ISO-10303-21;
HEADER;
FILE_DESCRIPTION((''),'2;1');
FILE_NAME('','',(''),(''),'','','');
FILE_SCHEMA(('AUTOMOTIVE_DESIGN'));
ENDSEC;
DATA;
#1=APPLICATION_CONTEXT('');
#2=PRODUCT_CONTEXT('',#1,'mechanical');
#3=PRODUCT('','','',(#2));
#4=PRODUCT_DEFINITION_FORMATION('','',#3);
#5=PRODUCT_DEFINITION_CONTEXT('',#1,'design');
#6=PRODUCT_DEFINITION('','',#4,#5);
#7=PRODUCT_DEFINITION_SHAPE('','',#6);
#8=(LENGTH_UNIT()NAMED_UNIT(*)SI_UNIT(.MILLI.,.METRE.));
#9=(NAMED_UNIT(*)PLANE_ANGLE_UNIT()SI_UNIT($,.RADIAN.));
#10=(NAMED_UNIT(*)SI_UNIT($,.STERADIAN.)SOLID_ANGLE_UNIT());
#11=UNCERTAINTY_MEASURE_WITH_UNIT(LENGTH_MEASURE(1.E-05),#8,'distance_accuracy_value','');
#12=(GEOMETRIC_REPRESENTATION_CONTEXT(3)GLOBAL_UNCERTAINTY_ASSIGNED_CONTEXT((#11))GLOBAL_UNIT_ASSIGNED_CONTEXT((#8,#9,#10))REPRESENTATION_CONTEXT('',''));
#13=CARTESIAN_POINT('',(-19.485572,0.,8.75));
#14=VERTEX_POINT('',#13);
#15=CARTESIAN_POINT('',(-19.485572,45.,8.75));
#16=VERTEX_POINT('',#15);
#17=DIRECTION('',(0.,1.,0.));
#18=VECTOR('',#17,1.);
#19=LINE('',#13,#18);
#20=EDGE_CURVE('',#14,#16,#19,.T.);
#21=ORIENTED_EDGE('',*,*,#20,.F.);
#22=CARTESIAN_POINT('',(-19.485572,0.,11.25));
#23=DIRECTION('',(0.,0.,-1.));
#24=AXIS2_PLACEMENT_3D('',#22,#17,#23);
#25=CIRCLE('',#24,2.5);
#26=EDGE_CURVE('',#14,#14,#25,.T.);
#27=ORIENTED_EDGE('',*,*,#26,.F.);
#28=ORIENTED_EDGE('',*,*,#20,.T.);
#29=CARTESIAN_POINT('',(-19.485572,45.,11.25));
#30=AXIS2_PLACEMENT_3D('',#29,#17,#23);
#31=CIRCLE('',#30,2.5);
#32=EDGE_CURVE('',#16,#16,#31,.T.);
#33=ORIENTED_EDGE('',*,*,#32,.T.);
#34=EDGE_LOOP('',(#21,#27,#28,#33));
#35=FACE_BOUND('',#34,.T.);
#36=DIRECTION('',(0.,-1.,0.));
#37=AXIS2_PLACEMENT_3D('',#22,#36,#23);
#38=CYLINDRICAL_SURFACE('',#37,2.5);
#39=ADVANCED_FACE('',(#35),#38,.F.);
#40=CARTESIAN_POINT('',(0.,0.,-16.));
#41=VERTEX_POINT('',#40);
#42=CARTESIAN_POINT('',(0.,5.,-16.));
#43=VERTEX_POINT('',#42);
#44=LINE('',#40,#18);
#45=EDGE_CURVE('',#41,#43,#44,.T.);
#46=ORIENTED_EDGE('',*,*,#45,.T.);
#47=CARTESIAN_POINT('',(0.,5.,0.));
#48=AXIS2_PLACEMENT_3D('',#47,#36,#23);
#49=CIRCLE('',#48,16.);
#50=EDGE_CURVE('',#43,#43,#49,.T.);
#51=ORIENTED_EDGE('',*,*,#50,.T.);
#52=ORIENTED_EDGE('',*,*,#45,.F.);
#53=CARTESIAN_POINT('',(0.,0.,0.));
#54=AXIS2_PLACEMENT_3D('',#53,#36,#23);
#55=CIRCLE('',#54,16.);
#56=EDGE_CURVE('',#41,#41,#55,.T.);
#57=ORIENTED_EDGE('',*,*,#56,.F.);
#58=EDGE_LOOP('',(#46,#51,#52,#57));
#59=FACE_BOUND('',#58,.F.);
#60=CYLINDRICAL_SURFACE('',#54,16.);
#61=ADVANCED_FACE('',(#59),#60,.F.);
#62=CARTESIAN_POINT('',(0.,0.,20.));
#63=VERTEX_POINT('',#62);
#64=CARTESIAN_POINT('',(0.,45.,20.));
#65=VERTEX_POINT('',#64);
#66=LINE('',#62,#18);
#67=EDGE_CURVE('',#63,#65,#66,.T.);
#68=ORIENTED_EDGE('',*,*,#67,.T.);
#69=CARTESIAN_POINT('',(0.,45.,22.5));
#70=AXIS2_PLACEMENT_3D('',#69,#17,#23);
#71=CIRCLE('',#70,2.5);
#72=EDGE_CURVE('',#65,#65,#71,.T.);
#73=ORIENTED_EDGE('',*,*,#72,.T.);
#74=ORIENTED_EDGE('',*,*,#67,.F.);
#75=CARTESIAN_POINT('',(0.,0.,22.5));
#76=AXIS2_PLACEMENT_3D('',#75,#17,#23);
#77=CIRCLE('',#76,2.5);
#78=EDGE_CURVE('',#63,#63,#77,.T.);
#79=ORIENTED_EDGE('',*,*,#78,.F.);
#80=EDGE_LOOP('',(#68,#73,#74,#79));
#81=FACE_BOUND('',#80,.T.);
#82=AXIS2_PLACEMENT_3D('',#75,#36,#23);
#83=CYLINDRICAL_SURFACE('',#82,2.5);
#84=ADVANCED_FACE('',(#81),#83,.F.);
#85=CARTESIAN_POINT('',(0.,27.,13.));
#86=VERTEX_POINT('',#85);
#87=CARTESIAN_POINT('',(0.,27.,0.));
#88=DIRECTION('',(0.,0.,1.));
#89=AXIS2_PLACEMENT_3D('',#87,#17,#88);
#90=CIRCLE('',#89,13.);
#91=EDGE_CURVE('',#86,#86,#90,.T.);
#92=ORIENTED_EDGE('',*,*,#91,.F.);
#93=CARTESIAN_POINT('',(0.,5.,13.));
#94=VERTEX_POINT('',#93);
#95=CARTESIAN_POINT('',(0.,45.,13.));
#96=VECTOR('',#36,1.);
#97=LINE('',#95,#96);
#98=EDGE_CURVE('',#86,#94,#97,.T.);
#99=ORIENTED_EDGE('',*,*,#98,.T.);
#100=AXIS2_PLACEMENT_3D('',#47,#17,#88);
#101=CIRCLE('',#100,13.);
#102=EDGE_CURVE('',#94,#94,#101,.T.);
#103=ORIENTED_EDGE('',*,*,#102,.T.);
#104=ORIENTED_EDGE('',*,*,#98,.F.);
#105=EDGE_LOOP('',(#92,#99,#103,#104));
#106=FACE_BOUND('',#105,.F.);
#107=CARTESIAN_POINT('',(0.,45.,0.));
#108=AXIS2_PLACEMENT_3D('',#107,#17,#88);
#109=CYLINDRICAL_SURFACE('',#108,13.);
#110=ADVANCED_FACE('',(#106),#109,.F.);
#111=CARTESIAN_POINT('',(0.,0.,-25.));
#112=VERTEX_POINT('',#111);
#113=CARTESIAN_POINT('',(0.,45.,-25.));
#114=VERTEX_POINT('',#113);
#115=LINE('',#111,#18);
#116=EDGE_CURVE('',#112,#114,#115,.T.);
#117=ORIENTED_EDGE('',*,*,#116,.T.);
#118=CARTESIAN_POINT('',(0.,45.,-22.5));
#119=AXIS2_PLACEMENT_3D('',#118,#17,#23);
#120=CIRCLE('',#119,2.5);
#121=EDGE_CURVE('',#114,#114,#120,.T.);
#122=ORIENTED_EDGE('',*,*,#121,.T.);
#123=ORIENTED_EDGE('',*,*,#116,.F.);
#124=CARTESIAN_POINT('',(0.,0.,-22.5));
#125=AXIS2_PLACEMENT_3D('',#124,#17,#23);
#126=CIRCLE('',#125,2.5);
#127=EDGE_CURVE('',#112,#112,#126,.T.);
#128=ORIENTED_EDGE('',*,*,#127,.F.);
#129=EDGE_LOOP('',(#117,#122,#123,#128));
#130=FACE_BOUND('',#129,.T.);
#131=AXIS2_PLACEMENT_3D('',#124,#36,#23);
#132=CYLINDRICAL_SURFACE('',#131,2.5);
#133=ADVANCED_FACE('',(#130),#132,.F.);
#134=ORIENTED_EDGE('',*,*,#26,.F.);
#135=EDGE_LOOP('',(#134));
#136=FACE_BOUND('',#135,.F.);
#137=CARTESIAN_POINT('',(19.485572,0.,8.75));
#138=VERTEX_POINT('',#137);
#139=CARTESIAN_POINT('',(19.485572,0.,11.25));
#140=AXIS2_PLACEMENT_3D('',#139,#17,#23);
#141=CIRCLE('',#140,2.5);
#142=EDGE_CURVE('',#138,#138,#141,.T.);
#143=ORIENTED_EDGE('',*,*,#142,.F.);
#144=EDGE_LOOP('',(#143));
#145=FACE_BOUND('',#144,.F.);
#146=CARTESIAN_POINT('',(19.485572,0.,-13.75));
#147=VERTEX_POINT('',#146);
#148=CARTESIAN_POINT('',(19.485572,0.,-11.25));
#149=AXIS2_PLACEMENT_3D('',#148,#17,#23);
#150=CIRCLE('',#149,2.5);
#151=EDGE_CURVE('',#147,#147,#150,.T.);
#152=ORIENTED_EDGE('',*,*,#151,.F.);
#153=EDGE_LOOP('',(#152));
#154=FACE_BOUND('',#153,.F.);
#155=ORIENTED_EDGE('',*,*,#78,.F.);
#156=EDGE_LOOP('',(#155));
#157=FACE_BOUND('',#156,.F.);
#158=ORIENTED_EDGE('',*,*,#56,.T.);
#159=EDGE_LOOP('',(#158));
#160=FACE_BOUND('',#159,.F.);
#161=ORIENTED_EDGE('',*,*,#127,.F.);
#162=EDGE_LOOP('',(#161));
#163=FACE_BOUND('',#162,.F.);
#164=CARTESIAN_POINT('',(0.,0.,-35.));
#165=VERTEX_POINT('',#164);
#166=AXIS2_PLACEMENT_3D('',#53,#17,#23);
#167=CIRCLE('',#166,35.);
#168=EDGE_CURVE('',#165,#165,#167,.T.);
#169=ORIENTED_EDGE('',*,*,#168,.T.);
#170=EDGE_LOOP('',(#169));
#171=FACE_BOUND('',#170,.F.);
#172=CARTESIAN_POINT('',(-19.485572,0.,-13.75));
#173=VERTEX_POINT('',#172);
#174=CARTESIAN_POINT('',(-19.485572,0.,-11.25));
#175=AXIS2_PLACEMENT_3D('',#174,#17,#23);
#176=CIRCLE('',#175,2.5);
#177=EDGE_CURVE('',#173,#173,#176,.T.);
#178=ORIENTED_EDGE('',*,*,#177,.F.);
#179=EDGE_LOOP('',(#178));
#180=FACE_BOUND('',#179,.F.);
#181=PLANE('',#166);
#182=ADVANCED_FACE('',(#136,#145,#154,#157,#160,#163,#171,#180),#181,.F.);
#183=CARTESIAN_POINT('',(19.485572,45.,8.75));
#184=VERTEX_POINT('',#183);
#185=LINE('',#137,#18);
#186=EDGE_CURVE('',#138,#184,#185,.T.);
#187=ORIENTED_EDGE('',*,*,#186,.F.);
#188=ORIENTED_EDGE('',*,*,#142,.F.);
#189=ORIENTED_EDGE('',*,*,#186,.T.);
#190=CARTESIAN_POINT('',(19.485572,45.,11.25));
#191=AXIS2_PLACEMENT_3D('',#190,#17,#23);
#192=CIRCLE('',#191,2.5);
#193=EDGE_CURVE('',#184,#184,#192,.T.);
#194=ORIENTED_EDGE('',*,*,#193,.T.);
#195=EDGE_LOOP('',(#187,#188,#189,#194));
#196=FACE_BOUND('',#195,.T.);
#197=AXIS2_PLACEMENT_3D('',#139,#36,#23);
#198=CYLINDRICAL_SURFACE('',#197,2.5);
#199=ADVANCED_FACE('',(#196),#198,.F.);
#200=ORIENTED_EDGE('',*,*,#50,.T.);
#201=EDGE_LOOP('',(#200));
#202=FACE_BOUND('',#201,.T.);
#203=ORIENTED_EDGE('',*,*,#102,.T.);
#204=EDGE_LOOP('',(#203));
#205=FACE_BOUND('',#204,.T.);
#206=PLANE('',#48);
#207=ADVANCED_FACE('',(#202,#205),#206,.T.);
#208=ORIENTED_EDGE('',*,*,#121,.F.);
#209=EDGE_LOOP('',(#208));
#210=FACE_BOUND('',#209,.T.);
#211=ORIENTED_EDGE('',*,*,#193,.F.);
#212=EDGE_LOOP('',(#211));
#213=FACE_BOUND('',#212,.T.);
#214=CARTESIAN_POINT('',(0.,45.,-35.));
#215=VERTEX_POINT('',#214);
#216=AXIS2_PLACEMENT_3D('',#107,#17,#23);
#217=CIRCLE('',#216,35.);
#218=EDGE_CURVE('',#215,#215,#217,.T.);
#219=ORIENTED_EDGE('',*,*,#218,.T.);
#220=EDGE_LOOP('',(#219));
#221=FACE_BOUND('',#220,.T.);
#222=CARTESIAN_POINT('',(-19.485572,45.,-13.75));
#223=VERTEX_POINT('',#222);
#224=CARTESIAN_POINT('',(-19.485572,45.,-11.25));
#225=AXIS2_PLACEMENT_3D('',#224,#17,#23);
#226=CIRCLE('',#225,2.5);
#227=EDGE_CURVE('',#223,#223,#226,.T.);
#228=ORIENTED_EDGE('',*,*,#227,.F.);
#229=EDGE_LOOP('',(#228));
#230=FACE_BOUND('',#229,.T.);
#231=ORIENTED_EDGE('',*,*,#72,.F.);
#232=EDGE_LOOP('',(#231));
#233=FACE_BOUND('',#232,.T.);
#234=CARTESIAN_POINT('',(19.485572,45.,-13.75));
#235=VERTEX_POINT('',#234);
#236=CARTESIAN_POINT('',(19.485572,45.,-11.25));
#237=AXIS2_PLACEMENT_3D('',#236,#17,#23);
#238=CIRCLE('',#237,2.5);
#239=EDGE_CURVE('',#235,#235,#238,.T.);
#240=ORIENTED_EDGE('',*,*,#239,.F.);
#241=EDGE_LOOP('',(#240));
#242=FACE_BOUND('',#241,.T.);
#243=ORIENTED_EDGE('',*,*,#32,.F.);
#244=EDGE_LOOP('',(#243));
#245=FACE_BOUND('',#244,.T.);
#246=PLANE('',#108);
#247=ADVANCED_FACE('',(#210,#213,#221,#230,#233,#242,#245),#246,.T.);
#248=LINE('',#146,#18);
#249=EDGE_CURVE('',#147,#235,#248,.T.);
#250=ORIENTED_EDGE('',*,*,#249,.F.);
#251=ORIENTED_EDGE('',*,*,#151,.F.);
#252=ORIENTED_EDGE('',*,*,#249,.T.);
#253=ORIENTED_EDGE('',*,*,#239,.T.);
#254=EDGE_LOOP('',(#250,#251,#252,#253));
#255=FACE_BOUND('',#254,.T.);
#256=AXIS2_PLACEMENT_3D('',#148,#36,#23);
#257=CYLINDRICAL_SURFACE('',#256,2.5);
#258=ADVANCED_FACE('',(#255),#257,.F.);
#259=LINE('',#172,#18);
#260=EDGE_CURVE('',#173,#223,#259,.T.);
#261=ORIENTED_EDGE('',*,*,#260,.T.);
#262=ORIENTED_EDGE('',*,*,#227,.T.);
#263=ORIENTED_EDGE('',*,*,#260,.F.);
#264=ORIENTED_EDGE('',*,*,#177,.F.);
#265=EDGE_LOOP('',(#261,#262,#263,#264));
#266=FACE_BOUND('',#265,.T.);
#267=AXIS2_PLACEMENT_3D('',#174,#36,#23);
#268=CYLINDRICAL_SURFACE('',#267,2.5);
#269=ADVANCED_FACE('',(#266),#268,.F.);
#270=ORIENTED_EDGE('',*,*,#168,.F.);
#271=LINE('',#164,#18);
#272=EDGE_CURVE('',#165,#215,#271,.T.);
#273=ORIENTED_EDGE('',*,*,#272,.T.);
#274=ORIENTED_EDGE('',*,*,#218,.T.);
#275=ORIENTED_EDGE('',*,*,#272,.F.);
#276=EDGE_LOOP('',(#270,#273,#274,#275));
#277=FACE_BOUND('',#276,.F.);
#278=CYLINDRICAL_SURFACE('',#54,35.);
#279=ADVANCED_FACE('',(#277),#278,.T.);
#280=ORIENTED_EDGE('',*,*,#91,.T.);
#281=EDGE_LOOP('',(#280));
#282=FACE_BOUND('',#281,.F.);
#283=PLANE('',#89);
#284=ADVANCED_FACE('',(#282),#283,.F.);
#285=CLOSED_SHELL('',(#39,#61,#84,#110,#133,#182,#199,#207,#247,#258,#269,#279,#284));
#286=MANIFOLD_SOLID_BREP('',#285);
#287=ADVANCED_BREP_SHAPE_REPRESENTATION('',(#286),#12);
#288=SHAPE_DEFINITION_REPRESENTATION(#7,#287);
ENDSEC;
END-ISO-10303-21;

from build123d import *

# Parameters (mm, degrees)
SKETCH1_R           = 35
SKETCH1_R_2         = 5
SKETCH1_R_3         = 2.5
BOSS_EXTRUDE1_DEPTH = 45
SKETCH2_R           = 16
CUT_EXTRUDE1_DEPTH  = 5
SKETCH5_R           = 13
CUT_EXTRUDE2_DEPTH  = 40
SKETCH6_R           = 13
BOSS_EXTRUDE2_DEPTH = 18


with BuildPart() as part:
    # Sketch1 → Boss-Extrude1 (new body)
    with BuildSketch(Plane(origin=(0, 0, 0), x_dir=(1, 0, 0), z_dir=(0, 1, 0))):
        with Locations(Location((0, 0, 0), (0, 0, 90))):
            Circle(SKETCH1_R)
        with Locations(Location((0, 0, 0), (0, 0, 90))):
            Circle(SKETCH1_R_2, mode=Mode.SUBTRACT)
        with Locations(Location((0, 22.5, 0), (0, 0, 90))):
            Circle(SKETCH1_R_3, mode=Mode.SUBTRACT)
        with Locations(Location((19.485571585, 11.25, 0), (0, 0, 90))):
            Circle(SKETCH1_R_3, mode=Mode.SUBTRACT)
        with Locations(Location((19.485571585, -11.25, 0), (0, 0, 90))):
            Circle(SKETCH1_R_3, mode=Mode.SUBTRACT)
        with Locations(Location((0, -22.5, 0), (0, 0, 90))):
            Circle(SKETCH1_R_3, mode=Mode.SUBTRACT)
        with Locations(Location((-19.485571585, -11.25, 0), (0, 0, 90))):
            Circle(SKETCH1_R_3, mode=Mode.SUBTRACT)
        with Locations(Location((-19.485571585, 11.25, 0), (0, 0, 90))):
            Circle(SKETCH1_R_3, mode=Mode.SUBTRACT)
    extrude(amount=BOSS_EXTRUDE1_DEPTH)

    # Sketch2 → Cut-Extrude1 (cut)
    with BuildSketch(Plane.XZ):
        with Locations(Location((0, 0, 0), (0, 0, 270))):
            Circle(SKETCH2_R)
    extrude(amount=-CUT_EXTRUDE1_DEPTH, mode=Mode.SUBTRACT)

    # Sketch5 → Cut-Extrude2 (cut)
    with BuildSketch(Plane(origin=(0, 45, 0), x_dir=(1, 0, 0), z_dir=(0, 1, 0))):
        with Locations(Location((0, 0, 0), (0, 0, 270))):
            Circle(SKETCH5_R)
    extrude(amount=-CUT_EXTRUDE2_DEPTH, mode=Mode.SUBTRACT)

    # Sketch6 → Boss-Extrude2 (add)
    with BuildSketch(Plane(origin=(0, 45, 0), x_dir=(1, 0, 0), z_dir=(0, 1, 0))):
        with Locations(Location((0, 0, 0), (0, 0, 270))):
            Circle(SKETCH6_R)
    extrude(amount=-BOSS_EXTRUDE2_DEPTH)


solid = part.part
